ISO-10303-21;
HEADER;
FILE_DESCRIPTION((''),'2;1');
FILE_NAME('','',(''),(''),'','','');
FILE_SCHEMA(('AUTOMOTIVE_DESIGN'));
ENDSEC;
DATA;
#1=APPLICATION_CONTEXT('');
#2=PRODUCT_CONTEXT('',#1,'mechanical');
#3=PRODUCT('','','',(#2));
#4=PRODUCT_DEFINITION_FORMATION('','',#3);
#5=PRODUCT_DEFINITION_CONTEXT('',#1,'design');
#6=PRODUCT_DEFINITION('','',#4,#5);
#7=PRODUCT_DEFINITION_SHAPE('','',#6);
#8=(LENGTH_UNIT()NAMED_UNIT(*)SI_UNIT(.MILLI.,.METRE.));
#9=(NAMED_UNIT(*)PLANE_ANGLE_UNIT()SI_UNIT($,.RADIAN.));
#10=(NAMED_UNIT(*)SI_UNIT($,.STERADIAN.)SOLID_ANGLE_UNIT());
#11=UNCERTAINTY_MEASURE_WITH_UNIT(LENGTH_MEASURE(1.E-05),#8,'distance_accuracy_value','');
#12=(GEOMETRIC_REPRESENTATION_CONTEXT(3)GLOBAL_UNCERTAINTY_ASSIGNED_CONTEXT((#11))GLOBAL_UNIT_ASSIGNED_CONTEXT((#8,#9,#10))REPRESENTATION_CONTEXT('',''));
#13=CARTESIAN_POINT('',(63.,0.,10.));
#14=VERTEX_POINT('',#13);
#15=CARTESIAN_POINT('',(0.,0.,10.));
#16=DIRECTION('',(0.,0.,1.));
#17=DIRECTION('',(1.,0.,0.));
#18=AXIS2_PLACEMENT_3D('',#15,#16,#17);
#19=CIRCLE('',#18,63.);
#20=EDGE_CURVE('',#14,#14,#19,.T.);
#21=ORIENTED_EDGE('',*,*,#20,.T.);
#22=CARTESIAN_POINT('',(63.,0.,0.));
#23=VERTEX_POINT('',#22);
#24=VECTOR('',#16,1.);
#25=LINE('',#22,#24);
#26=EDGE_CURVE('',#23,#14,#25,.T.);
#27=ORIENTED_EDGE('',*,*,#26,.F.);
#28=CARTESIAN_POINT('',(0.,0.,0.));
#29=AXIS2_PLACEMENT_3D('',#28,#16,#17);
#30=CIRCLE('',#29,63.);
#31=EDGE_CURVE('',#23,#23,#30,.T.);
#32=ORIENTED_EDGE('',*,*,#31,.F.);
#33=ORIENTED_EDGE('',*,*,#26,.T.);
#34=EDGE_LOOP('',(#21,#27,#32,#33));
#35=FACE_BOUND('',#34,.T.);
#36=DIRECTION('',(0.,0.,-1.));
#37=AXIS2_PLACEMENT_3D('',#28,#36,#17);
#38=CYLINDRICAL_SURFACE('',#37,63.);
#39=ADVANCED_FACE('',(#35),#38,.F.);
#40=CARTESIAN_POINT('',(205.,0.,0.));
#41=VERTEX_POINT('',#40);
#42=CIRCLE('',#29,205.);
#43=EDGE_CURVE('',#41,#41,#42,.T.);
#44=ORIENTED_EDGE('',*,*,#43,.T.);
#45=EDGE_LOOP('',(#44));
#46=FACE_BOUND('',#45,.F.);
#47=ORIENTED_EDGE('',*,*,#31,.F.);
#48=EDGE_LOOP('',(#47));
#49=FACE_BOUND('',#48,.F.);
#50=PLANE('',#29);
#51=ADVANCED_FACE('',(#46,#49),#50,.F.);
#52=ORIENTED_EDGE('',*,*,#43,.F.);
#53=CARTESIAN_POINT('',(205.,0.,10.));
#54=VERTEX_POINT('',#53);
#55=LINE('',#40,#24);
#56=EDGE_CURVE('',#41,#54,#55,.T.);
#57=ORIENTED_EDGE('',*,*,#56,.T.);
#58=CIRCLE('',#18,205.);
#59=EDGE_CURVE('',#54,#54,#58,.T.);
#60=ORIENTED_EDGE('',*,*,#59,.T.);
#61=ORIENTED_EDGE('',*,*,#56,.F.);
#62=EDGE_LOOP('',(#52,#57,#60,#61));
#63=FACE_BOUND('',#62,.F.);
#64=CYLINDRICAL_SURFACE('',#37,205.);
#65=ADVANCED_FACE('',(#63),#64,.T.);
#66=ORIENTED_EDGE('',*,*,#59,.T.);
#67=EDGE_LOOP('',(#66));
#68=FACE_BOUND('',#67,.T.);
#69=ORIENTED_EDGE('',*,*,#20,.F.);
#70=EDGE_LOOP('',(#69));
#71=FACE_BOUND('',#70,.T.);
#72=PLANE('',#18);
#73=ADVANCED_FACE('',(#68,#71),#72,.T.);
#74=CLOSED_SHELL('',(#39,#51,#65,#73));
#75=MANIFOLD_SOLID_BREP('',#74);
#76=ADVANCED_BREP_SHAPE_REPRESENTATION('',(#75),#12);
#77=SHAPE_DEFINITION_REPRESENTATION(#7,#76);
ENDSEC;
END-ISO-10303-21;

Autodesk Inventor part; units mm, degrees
ref_plane "YZ Plane" through (0, 0, 0) normal (1, 0, 0) x (0, 1, 0)
ref_plane "XZ Plane" through (0, 0, 0) normal (0, 1, 0) x (-1, 0, 0)
ref_plane "XY Plane" through (0, 0, 0) normal (0, 0, 1) x (1, 0, 0)
sketch "Sketch1" plane through (0, 0, 0) normal (0, 0, 1) x (1, 0, 0)
  circle A0 centre (0, 0) radius 195 construction
  circle A1 centre (0, 0) radius 205
  circle A2 centre (0, 0) radius 63
  dimension "d0" = 390
  dimension "d4" = 126
  dimension "d13" = 10
extrude "Extrusion1" add sketch "Sketch1" along normal blind 10
sketch "Sketch3" plane through (0, 0, 0) normal (0, 0, -1) x (-1, 0, 0)
  circle A0 centre (0, 0) radius 205 construction
  circle A1 centre (-187.6666, -82.5) radius 2.5
  circle A2 centre (187.6666, -82.5) radius 2.5
  line L0 (-187.6666, -82.5) -> (187.6666, -82.5) construction
  dimension "d14" = 5
  dimension "d15" = 82.5
extrude "Extrusion3" [suppressed]
equation "\"d0\" = Шпил_пласт_НОС_диам_центров"
equation "\"d4\" = Стенка_НОС_диам_илоотвод"
equation "\"d2\" = Thickness"
equation "\"BendReliefDepth\" = 0.5 * Thickness"
equation "\"Шпил_пласт_НОС_диам_центров\" = 390"
equation "\"Стенка_НОС_диам_илоотвод\" = 126"
equation "\"Thickness\" = 10"
properties part number "ДМФ 032 крышка Нос v2.0"
